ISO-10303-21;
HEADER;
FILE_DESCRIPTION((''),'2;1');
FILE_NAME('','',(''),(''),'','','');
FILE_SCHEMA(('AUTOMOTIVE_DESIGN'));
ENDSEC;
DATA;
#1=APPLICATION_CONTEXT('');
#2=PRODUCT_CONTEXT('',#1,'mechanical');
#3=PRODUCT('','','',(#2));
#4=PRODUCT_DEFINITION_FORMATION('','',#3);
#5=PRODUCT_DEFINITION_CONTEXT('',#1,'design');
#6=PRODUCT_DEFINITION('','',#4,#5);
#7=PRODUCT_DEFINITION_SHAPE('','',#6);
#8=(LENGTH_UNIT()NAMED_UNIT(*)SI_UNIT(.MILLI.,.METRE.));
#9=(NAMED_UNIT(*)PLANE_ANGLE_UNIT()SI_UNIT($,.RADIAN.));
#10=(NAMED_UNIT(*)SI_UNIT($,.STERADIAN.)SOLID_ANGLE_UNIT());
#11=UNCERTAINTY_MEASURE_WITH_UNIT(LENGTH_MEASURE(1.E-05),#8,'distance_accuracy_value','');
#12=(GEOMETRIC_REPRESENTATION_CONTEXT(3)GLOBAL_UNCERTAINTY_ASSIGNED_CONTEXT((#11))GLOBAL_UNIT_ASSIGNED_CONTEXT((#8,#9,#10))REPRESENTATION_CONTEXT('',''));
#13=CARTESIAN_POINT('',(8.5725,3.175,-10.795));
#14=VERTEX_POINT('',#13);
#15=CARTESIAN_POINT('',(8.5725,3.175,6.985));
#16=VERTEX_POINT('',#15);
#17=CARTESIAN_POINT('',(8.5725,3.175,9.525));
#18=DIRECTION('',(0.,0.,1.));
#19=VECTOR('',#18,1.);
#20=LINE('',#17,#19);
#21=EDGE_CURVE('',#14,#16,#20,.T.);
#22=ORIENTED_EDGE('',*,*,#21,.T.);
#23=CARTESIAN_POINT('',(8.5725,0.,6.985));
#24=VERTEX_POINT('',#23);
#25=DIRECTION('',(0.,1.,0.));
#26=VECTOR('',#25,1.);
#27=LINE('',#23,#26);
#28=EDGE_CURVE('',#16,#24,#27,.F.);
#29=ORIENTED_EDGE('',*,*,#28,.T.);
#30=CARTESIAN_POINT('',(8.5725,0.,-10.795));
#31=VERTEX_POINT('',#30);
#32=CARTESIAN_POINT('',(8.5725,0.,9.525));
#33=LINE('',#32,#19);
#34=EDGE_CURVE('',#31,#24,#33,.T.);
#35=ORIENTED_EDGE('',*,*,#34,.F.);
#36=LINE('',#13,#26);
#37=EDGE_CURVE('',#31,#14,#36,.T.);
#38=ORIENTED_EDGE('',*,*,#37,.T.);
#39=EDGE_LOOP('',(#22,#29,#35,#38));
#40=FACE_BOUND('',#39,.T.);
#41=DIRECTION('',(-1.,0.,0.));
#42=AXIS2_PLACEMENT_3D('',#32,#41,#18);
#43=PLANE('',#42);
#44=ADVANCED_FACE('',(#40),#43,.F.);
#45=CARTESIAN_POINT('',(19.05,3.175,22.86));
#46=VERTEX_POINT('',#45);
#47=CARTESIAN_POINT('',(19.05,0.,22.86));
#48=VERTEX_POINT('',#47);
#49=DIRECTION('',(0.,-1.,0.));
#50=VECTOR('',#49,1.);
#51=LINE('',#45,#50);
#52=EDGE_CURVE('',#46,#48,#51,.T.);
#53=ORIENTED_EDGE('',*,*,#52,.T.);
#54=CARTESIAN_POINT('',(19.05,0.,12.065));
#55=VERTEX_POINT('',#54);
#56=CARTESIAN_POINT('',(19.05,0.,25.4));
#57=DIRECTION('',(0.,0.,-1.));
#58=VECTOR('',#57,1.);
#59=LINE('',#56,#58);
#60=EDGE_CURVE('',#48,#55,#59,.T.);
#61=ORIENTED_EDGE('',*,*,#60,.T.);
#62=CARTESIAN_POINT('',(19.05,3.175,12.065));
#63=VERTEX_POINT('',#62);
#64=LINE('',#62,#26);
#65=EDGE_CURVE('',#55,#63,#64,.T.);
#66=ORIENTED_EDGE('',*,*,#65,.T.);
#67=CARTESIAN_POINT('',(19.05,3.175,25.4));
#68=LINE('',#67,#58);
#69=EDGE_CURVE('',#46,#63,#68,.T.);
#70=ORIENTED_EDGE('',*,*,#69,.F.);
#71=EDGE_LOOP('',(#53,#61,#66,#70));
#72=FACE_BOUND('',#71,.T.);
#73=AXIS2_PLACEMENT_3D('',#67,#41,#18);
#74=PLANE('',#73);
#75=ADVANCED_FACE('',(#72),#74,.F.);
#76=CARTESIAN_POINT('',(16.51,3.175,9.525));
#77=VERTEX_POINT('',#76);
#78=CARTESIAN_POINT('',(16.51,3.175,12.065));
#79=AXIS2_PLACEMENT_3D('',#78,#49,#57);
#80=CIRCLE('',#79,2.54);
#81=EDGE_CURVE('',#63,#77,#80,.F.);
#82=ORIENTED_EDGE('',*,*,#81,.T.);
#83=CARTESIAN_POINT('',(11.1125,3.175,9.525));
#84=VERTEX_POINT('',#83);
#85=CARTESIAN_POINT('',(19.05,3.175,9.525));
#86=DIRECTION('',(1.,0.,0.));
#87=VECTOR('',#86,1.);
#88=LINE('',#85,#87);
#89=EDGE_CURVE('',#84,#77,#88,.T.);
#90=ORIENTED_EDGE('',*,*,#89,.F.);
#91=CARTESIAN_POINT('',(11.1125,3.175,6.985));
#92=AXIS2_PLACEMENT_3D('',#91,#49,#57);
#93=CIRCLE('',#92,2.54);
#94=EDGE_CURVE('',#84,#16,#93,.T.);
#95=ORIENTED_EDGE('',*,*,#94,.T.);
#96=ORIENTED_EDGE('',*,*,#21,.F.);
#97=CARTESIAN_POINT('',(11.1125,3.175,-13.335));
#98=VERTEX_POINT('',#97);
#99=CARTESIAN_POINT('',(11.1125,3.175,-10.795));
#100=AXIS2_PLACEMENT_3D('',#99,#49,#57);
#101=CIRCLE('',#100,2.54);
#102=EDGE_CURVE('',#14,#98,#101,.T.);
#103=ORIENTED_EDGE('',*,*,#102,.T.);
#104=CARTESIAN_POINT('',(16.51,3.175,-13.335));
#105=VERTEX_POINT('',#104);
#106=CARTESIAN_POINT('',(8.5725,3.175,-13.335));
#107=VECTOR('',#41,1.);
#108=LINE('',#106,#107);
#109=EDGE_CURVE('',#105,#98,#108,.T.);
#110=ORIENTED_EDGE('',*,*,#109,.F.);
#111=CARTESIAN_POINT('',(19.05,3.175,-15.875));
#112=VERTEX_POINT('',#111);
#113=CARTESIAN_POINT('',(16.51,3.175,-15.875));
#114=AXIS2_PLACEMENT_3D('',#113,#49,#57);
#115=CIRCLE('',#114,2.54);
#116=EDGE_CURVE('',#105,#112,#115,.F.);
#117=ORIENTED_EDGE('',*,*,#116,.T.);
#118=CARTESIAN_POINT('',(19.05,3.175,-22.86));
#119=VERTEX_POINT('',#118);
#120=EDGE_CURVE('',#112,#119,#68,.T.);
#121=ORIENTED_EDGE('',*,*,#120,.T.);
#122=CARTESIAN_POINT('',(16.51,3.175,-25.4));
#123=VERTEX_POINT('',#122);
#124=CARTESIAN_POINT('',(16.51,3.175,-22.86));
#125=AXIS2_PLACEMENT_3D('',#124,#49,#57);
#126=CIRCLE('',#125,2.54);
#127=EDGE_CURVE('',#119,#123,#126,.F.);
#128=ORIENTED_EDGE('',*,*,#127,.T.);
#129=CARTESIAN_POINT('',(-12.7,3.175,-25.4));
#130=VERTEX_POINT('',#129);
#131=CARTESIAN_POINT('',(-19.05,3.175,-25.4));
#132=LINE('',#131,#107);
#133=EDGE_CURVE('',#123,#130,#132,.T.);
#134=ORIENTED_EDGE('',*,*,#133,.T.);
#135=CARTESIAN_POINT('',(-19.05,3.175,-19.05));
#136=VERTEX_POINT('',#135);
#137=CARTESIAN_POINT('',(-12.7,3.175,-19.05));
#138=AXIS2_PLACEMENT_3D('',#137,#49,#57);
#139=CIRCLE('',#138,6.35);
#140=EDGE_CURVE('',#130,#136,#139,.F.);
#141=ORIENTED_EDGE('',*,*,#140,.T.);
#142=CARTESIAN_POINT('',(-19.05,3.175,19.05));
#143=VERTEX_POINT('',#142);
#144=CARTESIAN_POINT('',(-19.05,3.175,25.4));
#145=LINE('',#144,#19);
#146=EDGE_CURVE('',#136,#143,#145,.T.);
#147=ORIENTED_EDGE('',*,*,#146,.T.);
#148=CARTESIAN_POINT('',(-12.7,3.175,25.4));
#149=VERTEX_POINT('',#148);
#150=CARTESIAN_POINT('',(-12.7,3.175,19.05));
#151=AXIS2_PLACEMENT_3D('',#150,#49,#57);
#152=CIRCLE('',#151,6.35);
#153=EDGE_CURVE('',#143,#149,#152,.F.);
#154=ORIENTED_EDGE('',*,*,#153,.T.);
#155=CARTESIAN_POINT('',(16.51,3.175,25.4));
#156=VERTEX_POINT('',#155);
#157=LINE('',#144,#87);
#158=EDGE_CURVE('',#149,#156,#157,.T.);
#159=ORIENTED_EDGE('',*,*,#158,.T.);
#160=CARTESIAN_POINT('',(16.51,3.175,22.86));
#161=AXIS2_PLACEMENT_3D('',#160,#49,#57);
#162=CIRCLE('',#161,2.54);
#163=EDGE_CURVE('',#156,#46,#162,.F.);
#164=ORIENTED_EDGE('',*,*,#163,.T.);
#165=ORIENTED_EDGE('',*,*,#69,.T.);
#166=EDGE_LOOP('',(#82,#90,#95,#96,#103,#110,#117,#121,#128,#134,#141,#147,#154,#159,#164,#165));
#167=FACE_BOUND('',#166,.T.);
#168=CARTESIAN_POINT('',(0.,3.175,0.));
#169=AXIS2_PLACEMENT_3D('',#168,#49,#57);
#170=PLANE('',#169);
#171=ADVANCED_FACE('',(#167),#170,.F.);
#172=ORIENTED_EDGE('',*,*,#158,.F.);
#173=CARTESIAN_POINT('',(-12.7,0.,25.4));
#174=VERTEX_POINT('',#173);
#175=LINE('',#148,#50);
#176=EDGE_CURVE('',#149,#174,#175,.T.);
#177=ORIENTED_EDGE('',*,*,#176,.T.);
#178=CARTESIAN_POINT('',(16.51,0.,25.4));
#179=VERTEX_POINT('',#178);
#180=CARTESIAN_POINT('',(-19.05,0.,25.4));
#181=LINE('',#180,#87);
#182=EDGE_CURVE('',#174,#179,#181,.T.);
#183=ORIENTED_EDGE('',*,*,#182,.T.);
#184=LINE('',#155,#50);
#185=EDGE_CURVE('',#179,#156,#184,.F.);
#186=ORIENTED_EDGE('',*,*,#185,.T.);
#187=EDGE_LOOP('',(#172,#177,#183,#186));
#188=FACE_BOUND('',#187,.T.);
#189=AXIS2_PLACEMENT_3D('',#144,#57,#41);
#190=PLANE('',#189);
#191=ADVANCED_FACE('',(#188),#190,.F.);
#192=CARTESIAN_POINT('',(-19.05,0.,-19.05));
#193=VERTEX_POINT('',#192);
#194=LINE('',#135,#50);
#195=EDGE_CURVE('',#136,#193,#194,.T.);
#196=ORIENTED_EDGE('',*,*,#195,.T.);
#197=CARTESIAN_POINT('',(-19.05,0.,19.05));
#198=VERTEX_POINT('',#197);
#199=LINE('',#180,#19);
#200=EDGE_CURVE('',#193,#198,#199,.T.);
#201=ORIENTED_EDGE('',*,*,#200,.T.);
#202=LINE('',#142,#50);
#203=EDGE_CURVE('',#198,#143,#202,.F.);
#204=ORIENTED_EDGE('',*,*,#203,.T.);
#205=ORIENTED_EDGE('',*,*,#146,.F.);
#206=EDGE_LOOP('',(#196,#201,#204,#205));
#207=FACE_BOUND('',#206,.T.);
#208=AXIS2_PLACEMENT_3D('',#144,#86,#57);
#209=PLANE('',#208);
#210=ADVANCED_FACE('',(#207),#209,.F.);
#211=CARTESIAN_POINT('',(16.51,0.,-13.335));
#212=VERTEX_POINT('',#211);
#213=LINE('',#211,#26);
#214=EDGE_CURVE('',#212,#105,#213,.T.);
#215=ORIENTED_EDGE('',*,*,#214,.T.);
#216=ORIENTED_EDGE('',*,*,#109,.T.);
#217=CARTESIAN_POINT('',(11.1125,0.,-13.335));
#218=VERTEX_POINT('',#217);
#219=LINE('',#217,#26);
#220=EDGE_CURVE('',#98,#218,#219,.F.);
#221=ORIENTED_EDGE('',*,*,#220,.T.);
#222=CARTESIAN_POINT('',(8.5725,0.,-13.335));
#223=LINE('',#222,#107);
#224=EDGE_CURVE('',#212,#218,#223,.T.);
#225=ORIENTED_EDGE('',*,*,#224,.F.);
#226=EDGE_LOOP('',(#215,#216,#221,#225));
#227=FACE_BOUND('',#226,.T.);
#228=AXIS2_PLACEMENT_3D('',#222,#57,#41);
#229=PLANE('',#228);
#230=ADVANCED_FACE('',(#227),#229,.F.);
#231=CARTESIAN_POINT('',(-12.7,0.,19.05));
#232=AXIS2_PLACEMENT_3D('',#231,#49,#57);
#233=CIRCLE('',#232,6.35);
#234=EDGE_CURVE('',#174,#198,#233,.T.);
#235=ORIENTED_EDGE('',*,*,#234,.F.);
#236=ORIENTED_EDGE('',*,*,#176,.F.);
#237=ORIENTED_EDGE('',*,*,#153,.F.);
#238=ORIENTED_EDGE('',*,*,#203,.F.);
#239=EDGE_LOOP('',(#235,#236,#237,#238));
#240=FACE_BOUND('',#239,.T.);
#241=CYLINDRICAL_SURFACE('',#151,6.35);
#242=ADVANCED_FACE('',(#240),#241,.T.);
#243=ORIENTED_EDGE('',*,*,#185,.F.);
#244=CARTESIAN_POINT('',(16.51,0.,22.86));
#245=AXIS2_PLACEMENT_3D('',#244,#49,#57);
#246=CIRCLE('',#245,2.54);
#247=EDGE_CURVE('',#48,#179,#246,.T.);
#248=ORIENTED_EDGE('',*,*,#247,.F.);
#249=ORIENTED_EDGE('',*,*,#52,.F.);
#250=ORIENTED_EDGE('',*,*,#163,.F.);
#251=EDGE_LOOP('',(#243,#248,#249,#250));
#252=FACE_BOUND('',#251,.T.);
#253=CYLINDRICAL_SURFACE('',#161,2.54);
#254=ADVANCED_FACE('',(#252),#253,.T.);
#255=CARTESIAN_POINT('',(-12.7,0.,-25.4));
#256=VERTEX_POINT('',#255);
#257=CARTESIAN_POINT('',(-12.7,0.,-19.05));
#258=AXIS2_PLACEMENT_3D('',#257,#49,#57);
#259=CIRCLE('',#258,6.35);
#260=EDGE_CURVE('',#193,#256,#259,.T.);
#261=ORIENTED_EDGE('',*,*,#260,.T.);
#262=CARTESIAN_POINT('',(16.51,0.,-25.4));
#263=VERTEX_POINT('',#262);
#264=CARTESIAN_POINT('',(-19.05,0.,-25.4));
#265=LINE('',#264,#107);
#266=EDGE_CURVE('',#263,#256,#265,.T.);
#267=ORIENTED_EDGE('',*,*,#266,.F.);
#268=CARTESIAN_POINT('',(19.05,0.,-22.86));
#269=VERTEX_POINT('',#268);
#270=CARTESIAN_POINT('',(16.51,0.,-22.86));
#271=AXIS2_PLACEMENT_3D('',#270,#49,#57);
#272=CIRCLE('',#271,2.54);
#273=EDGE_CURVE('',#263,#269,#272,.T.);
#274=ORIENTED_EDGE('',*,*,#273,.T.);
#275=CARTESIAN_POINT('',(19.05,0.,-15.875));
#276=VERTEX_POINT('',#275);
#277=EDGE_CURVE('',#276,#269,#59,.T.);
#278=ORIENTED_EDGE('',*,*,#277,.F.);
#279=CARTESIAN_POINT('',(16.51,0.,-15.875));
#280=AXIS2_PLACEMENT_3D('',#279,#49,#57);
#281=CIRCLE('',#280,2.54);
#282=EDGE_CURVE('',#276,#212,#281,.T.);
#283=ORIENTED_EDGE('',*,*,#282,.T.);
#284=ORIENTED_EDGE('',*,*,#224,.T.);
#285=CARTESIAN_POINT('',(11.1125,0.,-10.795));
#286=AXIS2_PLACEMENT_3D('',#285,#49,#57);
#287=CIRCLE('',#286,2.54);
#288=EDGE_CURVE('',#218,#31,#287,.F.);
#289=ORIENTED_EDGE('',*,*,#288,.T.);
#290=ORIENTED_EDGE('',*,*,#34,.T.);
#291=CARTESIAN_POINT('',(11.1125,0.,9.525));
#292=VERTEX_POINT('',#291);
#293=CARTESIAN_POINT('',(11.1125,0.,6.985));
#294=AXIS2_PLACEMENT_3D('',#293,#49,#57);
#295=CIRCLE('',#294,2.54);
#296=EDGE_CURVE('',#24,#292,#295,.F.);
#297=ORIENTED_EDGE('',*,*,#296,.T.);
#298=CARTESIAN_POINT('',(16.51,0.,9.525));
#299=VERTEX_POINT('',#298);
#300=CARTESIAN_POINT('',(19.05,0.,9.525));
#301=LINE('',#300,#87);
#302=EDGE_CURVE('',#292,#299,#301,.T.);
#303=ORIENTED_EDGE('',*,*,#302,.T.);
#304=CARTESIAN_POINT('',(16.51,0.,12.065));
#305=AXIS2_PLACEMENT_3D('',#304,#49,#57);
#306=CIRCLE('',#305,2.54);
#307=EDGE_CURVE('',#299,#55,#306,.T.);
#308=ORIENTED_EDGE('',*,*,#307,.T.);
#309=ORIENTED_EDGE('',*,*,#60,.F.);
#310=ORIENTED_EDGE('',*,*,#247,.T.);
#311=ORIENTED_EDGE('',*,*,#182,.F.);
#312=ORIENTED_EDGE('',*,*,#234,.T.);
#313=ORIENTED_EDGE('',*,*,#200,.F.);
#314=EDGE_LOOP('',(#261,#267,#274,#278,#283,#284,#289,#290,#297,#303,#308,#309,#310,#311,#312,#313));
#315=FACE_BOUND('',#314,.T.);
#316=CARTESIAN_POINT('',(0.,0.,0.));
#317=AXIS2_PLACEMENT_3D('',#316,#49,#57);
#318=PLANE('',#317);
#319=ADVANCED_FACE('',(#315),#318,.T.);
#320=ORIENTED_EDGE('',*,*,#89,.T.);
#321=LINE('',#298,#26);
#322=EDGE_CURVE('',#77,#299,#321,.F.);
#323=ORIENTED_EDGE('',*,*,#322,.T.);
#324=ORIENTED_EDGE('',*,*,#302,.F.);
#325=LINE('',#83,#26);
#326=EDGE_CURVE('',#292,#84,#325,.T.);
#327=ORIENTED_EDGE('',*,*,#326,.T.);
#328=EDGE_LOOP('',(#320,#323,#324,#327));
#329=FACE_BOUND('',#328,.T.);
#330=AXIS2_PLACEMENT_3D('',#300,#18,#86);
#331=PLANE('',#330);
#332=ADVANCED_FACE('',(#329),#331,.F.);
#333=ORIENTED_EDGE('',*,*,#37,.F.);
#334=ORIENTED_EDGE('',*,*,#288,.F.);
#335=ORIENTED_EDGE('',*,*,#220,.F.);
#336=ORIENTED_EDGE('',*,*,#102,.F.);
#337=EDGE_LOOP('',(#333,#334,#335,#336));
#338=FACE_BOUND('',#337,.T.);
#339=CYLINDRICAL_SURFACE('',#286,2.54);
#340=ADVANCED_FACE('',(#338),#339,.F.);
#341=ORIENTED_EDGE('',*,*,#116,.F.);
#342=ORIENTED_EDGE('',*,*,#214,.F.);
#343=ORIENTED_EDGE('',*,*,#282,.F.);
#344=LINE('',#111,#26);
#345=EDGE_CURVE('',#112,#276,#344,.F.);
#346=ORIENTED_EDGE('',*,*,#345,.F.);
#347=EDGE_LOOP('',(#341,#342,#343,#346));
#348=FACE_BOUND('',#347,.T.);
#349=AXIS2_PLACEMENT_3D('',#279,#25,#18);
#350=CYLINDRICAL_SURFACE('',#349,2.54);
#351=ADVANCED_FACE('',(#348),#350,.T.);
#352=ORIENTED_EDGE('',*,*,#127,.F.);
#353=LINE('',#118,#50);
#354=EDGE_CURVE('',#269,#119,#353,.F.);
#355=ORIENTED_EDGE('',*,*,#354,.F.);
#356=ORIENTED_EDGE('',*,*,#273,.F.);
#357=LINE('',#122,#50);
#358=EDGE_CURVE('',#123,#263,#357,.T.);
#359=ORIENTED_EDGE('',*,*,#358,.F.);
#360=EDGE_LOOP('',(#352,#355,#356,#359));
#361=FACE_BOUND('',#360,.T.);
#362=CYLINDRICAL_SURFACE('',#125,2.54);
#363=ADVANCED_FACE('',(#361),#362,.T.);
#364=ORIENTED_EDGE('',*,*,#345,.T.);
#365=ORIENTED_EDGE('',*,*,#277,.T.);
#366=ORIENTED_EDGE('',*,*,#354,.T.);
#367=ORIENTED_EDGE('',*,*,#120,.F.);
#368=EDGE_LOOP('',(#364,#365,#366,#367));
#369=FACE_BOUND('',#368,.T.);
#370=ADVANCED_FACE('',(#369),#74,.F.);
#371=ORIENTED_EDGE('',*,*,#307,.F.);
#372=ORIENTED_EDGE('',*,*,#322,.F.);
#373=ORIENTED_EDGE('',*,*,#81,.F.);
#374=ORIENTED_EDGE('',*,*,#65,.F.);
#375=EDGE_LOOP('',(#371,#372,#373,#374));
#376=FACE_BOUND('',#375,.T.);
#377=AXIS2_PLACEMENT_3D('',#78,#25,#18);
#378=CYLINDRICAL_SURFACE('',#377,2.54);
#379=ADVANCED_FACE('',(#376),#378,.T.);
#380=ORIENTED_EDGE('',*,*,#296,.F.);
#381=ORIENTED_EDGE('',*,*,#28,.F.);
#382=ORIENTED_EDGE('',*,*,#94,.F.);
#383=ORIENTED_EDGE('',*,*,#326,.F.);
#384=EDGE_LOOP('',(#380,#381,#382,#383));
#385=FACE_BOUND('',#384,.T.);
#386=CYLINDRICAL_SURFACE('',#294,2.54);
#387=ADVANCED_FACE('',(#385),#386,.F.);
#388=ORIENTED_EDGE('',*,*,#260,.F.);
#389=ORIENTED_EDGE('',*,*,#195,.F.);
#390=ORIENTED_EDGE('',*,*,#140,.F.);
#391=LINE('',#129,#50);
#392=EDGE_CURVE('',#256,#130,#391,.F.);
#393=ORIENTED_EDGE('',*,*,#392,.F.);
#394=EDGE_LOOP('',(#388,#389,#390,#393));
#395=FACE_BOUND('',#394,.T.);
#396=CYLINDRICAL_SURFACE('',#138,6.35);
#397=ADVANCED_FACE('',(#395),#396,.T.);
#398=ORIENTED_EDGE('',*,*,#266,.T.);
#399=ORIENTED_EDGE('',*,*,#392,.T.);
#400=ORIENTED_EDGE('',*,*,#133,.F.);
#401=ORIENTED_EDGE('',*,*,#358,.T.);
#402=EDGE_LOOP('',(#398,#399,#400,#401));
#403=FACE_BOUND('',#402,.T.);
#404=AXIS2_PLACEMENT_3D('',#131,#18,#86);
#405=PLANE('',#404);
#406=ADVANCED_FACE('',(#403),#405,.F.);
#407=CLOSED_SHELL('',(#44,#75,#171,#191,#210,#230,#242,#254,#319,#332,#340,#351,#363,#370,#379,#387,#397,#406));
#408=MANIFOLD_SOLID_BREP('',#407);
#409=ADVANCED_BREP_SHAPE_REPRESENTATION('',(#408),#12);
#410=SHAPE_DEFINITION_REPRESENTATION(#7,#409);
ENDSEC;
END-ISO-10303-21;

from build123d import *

# Parameters (mm, degrees)
SKETCH1_W           = 38.1
SKETCH1_H           = 50.8
BOSS_EXTRUDE1_DEPTH = 3.175
SKETCH2_W           = 10.4775
SKETCH2_H           = 22.86
CUT_EXTRUDE2_DEPTH  = 32.908355097
FILLET1_R           = 2.54
FILLET2_R           = 6.35


with BuildPart() as part:
    # Sketch1 → Boss-Extrude1 (new body)
    with BuildSketch(Plane(origin=(0, 0, 0), x_dir=(1, 0, 0), z_dir=(0, 1, 0))):
        Rectangle(SKETCH1_W, SKETCH1_H)
    extrude(amount=BOSS_EXTRUDE1_DEPTH)

    # Sketch2 → Cut-Extrude2 (cut, through all)
    with BuildSketch(Plane(origin=(0, 3.175, 0), x_dir=(1, 0, 0), z_dir=(0, 1, 0))):
        with Locations((13.81125, 1.905)):
            Rectangle(SKETCH2_W, SKETCH2_H)
    extrude(amount=-CUT_EXTRUDE2_DEPTH, mode=Mode.SUBTRACT)

    # Fillet1
    fillet1_edges = [part.edges().sort_by_distance(p)[0] for p in [
        (19.05, 1.5875, -13.335),
        (19.05, 1.5875, 9.525),
        (8.5725, 1.5875, 9.525),
        (8.5725, 1.5875, -13.335),
        (19.05, 1.5875, 25.4),
        (19.05, 1.5875, -25.4),
    ]]
    fillet(fillet1_edges, radius=FILLET1_R)

    # Fillet2
    fillet2_edges = [part.edges().sort_by_distance(p)[0] for p in [
        (-19.05, 1.5875, 25.4),
        (-19.05, 1.5875, -25.4),
    ]]
    fillet(fillet2_edges, radius=FILLET2_R)


solid = part.part
